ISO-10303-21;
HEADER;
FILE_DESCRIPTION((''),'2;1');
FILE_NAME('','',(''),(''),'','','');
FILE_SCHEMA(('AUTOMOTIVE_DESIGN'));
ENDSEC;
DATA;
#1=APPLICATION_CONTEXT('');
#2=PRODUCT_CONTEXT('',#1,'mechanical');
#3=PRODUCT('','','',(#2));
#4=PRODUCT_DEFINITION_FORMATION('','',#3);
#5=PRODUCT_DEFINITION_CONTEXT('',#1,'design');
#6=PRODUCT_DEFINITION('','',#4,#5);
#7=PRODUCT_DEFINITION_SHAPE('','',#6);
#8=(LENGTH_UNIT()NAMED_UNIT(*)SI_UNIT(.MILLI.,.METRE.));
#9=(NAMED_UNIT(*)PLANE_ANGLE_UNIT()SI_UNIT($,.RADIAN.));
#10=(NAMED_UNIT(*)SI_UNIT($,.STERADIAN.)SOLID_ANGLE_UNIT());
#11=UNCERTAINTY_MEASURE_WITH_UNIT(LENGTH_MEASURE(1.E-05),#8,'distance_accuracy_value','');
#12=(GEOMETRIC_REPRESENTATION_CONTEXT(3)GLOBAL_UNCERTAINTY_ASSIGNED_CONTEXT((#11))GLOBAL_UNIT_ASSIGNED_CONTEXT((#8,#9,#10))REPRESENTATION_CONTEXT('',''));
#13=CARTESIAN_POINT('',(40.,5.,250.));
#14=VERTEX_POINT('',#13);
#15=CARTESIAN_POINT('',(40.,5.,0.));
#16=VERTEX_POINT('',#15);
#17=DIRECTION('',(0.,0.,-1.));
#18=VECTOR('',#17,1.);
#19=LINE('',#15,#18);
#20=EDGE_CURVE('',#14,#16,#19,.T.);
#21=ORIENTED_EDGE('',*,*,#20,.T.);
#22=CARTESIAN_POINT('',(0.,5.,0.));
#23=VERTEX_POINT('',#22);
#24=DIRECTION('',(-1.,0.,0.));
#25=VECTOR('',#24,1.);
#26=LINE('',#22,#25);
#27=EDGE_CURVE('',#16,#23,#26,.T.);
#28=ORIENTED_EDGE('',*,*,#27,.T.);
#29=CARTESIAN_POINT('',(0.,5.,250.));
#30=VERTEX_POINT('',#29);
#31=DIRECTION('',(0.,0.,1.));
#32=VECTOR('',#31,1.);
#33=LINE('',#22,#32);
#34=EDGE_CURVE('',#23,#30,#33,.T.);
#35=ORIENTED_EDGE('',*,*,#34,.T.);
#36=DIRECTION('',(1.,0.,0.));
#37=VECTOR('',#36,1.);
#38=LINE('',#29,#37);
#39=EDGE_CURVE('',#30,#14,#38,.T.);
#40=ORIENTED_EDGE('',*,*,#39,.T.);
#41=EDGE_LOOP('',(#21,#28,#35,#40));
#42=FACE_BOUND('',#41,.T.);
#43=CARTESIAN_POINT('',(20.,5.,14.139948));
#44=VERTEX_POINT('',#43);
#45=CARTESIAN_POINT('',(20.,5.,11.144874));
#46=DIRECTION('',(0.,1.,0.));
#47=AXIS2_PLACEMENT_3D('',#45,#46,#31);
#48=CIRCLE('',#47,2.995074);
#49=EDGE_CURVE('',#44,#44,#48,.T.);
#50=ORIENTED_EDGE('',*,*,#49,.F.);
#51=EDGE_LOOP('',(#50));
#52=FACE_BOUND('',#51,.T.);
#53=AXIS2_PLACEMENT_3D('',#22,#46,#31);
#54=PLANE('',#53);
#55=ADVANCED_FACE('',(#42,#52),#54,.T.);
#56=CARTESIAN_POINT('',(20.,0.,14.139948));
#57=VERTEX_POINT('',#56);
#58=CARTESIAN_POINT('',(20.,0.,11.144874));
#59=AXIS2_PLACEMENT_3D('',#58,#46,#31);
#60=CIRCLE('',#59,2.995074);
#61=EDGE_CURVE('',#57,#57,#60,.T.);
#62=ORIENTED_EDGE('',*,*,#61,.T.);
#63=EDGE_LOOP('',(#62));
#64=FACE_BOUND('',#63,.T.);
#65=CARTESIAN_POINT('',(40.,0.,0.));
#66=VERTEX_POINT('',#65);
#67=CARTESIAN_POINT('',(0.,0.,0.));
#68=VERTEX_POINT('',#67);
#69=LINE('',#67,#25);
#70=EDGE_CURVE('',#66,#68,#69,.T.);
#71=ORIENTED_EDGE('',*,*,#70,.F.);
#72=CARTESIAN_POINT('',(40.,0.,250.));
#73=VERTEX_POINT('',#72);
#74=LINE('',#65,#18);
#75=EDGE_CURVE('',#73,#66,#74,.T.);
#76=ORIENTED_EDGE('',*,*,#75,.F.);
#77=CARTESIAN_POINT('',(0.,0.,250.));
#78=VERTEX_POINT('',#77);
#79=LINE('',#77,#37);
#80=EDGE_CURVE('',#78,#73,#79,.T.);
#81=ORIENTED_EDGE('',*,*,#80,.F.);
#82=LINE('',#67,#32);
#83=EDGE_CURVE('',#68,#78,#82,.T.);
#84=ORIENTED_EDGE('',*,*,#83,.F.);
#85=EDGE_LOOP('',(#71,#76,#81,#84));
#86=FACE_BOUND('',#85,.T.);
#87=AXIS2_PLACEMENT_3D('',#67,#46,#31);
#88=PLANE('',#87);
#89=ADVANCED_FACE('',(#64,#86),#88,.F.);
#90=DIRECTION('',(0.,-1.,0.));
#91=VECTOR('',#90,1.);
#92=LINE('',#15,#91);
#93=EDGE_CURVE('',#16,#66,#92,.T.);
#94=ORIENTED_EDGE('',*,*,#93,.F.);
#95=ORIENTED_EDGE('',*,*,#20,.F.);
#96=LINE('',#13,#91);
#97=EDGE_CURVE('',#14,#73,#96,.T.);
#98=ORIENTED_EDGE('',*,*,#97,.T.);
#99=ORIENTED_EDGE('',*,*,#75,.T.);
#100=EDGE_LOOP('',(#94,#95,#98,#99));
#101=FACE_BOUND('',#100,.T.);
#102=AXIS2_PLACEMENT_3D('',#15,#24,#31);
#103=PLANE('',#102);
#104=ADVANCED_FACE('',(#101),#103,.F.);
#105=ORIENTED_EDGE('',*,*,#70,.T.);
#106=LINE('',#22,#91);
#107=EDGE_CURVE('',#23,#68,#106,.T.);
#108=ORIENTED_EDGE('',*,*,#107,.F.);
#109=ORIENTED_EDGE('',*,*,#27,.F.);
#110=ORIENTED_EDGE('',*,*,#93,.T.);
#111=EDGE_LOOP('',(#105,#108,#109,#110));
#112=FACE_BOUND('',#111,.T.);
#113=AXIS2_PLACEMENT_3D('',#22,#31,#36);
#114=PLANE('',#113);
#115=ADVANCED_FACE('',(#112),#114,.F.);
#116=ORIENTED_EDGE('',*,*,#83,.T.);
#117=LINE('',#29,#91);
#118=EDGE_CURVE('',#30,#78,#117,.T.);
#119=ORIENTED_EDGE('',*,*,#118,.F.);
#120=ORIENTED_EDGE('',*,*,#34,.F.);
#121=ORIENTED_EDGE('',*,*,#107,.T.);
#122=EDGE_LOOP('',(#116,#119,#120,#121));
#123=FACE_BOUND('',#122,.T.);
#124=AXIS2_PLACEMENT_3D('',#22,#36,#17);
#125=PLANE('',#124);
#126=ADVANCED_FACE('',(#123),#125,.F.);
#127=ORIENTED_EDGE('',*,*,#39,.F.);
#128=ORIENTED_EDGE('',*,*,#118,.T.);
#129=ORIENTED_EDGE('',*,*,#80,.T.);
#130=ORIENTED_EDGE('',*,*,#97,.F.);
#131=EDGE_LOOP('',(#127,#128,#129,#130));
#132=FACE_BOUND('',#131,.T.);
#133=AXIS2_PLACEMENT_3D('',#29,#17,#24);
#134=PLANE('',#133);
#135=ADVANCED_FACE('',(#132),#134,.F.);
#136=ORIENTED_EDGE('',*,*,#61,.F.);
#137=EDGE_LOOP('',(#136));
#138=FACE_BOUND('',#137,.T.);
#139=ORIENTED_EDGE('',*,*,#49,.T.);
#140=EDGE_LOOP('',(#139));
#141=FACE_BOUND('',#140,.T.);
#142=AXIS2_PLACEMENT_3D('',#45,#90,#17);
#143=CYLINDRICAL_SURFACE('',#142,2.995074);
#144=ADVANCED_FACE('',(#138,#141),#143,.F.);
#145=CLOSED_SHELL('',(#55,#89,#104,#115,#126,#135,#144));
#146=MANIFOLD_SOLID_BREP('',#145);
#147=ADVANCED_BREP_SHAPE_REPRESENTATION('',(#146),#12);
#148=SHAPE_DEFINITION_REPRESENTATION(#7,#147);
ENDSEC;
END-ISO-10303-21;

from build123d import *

# Parameters (mm, degrees)
SKETCH1_W           = 40
SKETCH1_H           = 250
SKETCH1_R           = 2.995074004
BOSS_EXTRUDE1_DEPTH = 5


with BuildPart() as part:
    # Sketch1 → Boss-Extrude1 (new body)
    with BuildSketch(Plane(origin=(0, 0, 0), x_dir=(1, 0, 0), z_dir=(0, 1, 0))):
        with Locations((20, -125)):
            Rectangle(SKETCH1_W, SKETCH1_H)
        with Locations(Location((20, -11.144873823, 0), (0, 0, 270))):
            Circle(SKETCH1_R, mode=Mode.SUBTRACT)
    extrude(amount=BOSS_EXTRUDE1_DEPTH)


solid = part.part
